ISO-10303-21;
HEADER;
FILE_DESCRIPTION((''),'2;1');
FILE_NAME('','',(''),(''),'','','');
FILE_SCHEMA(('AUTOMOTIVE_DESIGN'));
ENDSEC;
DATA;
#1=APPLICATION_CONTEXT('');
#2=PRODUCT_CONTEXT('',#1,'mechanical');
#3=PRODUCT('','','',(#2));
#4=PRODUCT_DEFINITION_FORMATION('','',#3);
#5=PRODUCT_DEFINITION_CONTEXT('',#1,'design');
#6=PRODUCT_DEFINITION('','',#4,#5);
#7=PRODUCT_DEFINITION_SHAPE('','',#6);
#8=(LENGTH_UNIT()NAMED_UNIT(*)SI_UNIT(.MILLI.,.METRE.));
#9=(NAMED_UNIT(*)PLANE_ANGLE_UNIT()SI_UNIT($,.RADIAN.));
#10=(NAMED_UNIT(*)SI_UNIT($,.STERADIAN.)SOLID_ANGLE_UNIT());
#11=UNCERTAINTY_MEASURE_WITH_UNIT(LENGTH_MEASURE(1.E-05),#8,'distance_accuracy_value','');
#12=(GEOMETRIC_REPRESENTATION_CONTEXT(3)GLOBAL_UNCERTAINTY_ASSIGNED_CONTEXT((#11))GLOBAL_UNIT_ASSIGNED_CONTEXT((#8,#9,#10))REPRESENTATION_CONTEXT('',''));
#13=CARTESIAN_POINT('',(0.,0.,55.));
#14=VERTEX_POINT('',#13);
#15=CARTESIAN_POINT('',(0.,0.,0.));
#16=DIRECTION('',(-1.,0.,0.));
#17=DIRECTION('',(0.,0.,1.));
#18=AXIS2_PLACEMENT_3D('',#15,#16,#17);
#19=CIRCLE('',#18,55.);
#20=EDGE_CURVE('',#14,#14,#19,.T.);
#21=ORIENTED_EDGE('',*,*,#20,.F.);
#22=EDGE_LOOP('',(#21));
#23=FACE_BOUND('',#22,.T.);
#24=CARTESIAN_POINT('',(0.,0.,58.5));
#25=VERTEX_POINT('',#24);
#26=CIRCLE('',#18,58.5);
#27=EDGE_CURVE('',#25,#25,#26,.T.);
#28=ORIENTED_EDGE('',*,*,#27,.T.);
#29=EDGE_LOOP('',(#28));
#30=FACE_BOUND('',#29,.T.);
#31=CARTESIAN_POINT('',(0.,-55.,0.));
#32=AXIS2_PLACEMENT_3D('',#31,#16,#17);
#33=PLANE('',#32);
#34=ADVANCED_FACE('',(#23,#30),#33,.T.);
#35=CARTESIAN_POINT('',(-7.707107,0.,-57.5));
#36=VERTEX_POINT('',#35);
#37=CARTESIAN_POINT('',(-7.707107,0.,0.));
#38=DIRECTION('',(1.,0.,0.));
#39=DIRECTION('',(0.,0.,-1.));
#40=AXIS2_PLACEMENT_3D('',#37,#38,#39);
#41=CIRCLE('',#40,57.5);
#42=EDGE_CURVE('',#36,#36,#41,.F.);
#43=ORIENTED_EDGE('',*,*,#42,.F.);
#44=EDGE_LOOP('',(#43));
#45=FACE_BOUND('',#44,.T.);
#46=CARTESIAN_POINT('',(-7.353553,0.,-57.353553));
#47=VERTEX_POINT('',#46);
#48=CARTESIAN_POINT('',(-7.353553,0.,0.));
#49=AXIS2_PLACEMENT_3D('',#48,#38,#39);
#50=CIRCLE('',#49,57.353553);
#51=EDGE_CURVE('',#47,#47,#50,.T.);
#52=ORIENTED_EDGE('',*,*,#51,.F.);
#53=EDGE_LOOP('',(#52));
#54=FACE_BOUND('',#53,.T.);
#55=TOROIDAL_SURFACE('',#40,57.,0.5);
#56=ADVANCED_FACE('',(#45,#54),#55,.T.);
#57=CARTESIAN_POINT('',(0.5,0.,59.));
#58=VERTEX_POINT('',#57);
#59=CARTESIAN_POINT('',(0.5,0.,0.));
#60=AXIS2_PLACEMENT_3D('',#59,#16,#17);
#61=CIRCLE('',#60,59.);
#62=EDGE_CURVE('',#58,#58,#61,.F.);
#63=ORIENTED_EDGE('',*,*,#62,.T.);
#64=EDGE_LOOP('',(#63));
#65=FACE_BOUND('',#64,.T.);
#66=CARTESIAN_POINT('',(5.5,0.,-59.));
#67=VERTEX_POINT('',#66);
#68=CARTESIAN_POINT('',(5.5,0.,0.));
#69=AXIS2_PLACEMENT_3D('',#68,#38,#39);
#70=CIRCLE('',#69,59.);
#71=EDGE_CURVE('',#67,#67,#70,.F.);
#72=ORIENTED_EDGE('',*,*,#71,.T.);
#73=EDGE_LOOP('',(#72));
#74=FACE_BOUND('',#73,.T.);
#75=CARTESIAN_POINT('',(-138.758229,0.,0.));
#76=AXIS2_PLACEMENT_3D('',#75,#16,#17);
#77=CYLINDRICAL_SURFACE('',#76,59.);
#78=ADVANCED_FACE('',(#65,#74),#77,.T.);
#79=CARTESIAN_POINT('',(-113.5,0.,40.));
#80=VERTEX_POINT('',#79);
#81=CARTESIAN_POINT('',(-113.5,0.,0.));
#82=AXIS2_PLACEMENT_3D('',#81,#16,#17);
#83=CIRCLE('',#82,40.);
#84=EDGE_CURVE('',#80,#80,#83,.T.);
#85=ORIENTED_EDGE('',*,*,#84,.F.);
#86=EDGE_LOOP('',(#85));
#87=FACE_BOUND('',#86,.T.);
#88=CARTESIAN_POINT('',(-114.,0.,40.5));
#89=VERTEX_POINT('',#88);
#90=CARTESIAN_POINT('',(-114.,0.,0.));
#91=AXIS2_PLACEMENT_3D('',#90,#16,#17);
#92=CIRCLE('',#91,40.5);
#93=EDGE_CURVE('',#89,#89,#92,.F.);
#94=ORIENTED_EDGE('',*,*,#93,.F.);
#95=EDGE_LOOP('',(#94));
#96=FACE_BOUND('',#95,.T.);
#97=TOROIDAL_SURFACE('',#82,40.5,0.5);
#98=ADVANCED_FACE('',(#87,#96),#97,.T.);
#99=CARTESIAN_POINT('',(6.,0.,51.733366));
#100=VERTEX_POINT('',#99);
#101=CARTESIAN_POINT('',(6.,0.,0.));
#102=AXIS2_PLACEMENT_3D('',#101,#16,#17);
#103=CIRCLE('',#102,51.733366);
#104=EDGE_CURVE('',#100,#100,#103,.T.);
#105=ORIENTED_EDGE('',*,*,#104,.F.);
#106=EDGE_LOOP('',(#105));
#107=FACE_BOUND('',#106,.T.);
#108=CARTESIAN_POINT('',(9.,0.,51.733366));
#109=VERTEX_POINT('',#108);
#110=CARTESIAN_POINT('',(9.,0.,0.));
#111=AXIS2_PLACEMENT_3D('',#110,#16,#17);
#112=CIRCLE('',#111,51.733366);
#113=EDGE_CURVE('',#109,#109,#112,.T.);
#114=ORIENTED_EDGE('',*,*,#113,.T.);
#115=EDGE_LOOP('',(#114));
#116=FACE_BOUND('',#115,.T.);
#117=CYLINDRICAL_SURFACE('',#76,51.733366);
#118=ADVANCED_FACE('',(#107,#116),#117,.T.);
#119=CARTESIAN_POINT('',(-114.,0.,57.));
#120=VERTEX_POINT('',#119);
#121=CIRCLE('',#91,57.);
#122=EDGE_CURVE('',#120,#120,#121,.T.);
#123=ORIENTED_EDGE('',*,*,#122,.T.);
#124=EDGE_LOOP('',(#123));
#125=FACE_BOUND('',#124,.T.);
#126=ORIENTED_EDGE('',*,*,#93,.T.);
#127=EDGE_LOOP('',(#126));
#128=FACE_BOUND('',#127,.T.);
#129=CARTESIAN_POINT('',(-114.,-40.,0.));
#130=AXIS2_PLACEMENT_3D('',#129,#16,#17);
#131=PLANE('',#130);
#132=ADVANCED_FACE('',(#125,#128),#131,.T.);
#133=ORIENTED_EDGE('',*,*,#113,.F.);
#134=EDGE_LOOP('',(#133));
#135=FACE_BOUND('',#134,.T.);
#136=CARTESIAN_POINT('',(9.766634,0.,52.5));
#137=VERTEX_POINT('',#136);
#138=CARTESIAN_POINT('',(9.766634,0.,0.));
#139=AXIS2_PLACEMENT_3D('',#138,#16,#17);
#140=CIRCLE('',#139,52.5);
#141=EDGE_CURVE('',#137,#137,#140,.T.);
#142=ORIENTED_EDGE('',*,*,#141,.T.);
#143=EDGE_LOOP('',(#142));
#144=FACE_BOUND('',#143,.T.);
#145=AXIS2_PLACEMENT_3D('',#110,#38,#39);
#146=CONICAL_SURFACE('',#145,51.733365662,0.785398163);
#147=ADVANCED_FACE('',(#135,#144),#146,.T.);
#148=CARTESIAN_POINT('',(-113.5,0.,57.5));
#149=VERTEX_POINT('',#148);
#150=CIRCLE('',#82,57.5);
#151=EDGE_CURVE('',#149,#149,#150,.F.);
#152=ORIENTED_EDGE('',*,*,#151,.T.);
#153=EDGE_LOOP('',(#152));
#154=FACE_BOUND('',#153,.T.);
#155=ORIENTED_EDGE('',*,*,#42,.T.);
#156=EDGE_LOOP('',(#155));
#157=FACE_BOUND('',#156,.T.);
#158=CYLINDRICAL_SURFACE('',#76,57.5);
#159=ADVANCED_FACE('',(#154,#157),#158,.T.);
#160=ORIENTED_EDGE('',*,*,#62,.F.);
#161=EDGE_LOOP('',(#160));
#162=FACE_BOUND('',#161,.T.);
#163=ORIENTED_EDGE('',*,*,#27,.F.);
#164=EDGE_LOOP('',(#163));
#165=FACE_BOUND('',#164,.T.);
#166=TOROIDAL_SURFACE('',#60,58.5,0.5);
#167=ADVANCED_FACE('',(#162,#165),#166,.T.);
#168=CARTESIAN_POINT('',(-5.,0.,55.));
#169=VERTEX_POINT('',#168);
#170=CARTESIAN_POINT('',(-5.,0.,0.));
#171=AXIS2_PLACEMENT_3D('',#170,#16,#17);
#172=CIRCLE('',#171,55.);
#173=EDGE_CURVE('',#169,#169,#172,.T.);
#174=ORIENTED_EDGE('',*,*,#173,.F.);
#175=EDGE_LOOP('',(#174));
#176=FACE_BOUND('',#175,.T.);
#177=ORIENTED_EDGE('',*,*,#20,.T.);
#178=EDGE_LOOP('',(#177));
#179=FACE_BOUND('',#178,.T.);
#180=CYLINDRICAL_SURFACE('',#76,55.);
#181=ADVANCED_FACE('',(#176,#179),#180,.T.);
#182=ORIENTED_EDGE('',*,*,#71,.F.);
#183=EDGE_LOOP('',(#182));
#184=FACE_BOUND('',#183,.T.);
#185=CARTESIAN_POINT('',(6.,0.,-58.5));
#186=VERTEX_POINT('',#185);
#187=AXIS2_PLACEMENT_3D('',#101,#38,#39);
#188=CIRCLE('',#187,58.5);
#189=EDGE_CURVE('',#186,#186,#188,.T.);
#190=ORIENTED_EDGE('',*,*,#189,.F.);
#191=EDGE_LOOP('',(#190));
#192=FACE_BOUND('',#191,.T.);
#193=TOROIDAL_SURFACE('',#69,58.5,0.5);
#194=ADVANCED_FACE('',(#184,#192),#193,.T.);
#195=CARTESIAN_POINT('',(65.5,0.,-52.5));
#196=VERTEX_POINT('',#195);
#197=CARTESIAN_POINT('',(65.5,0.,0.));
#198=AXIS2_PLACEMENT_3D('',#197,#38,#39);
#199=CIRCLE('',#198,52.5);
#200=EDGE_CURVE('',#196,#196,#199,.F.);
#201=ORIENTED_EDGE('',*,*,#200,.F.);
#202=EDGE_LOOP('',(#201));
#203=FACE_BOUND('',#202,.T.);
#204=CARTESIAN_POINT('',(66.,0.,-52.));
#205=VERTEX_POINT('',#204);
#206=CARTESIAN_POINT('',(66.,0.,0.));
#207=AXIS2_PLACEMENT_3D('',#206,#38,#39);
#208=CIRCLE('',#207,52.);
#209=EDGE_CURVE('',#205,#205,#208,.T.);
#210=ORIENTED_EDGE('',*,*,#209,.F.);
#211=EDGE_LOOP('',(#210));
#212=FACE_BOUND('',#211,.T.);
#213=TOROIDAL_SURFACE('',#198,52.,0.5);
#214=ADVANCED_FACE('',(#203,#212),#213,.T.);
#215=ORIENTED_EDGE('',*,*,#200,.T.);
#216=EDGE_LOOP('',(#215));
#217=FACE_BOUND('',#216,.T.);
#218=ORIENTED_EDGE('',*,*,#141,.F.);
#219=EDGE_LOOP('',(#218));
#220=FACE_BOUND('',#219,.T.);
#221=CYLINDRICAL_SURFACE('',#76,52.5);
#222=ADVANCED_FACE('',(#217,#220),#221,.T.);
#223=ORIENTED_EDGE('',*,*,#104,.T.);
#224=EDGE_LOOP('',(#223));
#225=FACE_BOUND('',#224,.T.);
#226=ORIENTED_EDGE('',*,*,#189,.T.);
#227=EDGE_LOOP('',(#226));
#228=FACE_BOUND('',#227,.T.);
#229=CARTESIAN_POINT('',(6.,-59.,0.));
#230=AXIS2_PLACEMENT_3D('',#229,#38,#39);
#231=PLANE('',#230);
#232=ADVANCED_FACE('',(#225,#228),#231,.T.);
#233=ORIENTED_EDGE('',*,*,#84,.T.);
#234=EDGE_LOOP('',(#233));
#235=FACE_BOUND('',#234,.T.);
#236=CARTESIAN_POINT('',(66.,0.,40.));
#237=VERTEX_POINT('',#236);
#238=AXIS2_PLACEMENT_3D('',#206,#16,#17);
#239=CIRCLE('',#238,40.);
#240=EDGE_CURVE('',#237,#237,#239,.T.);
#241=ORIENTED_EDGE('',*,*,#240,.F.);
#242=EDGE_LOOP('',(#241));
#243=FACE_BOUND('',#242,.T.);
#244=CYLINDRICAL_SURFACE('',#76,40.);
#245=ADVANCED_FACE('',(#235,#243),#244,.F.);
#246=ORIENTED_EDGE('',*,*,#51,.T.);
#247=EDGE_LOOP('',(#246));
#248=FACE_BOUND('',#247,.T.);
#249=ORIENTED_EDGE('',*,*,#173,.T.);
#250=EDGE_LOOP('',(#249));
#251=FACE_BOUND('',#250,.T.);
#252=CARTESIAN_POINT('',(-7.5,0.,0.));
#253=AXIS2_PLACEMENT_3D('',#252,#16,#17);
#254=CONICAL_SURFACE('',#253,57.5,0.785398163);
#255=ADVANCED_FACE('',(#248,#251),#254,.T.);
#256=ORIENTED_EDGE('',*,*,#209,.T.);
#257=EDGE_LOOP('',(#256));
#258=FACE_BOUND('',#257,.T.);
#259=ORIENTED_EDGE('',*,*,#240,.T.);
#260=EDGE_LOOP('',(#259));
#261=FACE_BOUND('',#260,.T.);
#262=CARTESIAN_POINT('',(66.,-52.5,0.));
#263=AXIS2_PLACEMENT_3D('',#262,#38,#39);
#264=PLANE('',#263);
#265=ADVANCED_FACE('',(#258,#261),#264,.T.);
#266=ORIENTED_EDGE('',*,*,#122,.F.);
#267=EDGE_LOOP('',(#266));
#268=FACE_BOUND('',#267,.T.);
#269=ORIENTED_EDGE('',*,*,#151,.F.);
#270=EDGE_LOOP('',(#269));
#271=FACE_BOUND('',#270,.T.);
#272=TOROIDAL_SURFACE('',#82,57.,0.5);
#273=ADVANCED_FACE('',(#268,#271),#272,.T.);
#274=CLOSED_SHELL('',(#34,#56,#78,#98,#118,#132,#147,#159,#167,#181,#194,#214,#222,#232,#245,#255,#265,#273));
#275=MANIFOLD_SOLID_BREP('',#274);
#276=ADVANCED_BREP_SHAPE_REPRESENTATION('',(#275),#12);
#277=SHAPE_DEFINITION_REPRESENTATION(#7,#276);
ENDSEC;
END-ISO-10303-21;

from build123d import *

# Parameters (mm, degrees)
FILLET1_R = 0.5


with BuildPart() as part:
    # Sketch1 → Base-Revolve (revolve)
    with BuildSketch(Plane.XY, mode=Mode.PRIVATE) as base_revolve_sk:
        Polygon((-114, -57.5), (-7.5, -57.5), (-5, -55), (0, -55), (0, -59), (6, -59), (6, -51.733365662), (9, -51.733365662), (9.766634338, -52.5), (66, -52.5), (66, -40), (-114, -40), align=None)
    revolve(base_revolve_sk.sketch.rotate(Axis((-138.758229417, 0, 0), (1, 0, 0)), 270), axis=Axis((-138.758229417, 0, 0), (1, 0, 0)))

    # Fillet1
    fillet1_edges = [part.edges().sort_by_distance(p)[0] for p in [
        (6, 0, -59),
        (0, 0, -59),
        (-7.5, 0, -57.5),
        (-114, 0, -57.5),
        (-114, 0, -40),
        (66, 0, -52.5),
    ]]
    fillet(fillet1_edges, radius=FILLET1_R)


solid = part.part
